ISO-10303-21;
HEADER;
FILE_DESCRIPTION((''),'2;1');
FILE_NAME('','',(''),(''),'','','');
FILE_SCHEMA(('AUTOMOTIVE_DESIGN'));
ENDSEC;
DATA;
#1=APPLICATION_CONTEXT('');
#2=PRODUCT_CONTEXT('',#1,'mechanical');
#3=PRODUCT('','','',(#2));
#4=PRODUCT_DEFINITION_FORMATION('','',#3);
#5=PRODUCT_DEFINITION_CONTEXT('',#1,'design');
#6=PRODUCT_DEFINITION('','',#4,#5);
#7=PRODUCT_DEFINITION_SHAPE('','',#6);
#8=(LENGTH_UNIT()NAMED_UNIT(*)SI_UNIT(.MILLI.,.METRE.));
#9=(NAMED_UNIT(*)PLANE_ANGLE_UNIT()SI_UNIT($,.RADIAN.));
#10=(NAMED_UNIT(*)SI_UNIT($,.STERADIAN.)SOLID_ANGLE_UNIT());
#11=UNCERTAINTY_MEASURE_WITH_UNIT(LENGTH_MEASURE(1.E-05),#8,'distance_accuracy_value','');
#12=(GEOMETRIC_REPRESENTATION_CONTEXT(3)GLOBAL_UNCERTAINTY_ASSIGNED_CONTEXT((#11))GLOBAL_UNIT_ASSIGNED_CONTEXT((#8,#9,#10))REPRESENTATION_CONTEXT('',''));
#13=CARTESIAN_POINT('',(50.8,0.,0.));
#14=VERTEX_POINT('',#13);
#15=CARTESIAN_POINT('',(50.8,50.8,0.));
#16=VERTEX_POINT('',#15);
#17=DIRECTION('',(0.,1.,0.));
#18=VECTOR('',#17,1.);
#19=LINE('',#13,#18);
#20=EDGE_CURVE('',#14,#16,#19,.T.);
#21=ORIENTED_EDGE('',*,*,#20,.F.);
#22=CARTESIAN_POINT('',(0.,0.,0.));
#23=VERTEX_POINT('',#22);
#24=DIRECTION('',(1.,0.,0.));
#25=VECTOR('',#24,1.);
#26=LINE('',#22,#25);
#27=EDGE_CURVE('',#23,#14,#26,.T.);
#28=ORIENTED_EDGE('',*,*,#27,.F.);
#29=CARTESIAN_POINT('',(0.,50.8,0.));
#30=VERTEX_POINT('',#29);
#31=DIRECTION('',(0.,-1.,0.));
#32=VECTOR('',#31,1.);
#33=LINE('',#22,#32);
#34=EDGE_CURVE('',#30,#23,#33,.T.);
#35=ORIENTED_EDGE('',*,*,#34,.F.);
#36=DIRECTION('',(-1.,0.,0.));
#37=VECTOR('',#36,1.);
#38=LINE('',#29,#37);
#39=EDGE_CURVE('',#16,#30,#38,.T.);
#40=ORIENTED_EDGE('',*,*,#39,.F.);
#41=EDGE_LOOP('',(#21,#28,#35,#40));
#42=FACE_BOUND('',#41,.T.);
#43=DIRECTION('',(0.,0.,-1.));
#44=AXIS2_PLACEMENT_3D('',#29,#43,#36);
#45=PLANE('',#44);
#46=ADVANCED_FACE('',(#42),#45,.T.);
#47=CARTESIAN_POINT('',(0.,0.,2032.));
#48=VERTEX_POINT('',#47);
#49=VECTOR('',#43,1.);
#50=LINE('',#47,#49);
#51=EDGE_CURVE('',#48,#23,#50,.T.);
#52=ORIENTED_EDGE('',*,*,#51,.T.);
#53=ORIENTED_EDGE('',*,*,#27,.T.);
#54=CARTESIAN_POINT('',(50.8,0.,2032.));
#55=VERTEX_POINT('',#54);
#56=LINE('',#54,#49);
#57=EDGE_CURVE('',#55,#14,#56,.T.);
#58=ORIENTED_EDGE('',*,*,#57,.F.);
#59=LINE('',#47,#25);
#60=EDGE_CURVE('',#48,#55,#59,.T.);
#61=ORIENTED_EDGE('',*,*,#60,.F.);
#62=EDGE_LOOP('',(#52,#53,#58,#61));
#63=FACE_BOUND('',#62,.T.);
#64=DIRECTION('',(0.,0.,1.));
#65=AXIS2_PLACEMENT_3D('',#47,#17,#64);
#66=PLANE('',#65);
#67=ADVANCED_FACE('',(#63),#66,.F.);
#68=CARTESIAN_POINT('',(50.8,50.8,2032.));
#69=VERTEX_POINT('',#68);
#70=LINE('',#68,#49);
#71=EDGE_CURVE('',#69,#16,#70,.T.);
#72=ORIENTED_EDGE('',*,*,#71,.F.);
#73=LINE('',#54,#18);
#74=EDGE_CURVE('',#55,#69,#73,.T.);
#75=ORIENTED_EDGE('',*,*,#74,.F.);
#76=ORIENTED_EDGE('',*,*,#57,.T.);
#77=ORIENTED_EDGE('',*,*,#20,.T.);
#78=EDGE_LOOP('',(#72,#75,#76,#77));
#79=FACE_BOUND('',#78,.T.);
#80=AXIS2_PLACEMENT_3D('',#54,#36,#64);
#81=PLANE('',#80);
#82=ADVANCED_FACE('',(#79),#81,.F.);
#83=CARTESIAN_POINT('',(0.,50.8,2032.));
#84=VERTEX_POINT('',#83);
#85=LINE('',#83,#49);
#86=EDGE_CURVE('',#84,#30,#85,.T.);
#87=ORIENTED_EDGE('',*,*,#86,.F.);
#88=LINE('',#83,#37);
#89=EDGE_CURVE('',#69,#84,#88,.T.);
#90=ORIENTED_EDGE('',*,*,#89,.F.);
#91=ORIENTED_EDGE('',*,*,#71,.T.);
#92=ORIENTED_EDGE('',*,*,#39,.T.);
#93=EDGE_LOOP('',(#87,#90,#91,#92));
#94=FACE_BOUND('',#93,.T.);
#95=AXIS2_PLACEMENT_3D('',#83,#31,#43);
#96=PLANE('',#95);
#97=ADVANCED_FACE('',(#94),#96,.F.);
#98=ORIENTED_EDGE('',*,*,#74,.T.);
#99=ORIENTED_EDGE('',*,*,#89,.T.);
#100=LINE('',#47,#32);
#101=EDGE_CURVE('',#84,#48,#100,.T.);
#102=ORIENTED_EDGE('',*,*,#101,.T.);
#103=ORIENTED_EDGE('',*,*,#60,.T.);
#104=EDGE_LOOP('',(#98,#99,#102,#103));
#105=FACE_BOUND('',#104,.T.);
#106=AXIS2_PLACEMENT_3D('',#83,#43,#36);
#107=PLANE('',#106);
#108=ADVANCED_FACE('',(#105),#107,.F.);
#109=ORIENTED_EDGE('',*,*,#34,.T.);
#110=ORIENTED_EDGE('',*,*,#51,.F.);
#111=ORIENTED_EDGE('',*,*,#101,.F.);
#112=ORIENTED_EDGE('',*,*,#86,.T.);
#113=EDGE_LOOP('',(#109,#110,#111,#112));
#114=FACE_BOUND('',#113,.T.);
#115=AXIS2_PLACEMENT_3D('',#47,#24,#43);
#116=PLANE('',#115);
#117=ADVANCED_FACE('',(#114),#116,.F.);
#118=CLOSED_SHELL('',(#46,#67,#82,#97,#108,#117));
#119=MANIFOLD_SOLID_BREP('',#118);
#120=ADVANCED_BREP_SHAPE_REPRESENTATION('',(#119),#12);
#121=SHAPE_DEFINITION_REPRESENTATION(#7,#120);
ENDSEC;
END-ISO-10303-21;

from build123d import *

# Parameters (mm, degrees)
SKETCH1_W      = 50.8
SKETCH1_H      = 50.8
EXTRUDE1_DEPTH = 2032


with BuildPart() as part:
    # Sketch1 → Extrude1 (new body)
    with BuildSketch(Plane.XY):
        with Locations((25.4, 25.4)):
            Rectangle(SKETCH1_W, SKETCH1_H)
    extrude(amount=EXTRUDE1_DEPTH)


solid = part.part
